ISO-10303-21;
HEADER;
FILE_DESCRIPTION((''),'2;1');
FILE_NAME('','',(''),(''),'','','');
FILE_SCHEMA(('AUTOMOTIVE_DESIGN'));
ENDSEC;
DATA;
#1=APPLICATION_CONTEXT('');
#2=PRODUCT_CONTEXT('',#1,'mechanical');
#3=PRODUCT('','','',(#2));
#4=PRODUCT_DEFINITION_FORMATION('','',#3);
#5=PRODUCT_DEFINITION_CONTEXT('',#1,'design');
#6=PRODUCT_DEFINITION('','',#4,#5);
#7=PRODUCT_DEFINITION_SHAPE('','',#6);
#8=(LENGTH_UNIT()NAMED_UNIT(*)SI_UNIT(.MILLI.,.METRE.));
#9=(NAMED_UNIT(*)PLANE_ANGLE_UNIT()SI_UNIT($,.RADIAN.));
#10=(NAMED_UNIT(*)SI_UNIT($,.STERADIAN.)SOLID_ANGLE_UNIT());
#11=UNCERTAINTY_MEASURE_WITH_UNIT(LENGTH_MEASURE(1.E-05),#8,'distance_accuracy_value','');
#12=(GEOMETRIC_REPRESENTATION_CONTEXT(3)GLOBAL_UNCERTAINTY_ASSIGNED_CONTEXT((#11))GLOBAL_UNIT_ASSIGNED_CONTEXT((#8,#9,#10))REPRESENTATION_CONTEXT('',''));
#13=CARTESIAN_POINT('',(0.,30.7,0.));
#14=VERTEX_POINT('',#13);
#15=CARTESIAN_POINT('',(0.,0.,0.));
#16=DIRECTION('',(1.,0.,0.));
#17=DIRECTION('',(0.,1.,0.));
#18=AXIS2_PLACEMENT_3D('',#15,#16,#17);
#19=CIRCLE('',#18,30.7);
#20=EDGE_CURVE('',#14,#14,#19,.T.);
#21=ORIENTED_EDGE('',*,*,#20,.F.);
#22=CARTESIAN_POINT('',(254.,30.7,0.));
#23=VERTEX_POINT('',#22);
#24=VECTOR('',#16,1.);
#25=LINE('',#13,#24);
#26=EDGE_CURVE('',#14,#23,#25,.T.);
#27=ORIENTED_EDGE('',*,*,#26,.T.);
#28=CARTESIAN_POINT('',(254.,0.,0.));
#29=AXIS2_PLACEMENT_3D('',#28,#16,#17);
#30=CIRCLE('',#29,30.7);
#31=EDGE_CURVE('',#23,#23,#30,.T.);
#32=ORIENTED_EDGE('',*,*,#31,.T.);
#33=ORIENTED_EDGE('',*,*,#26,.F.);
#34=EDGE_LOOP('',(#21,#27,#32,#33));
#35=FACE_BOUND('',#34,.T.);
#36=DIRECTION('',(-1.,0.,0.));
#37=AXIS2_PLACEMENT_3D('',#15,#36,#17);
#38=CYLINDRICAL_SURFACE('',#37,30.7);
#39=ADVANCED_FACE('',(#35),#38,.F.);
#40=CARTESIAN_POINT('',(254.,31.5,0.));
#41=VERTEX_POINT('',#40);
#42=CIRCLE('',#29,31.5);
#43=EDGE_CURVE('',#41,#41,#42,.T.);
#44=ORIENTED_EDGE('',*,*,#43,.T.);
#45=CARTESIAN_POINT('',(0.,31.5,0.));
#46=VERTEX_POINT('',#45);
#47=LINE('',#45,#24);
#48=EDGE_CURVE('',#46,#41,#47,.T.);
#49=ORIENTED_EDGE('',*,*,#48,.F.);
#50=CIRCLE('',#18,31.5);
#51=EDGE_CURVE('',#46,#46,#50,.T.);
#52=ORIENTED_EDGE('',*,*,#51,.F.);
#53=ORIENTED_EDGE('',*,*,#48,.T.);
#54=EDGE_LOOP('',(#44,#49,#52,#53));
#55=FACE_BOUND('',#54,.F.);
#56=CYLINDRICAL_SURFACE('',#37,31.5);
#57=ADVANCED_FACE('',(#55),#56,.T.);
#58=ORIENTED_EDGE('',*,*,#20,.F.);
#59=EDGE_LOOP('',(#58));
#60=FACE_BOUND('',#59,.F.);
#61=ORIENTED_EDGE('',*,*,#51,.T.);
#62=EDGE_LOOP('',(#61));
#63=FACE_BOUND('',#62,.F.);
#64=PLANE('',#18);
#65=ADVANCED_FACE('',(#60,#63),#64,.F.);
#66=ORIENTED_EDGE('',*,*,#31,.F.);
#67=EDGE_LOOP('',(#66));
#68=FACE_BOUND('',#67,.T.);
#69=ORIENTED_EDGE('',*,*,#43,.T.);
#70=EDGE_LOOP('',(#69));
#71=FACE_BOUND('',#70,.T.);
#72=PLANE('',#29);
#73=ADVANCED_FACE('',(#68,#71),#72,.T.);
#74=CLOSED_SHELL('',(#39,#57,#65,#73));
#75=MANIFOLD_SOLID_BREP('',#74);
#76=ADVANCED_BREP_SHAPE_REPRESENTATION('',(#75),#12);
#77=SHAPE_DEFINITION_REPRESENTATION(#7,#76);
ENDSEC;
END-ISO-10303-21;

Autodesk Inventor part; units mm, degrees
ref_plane "YZ Plane" through (0, 0, 0) normal (1, 0, 0) x (0, 1, 0)
ref_plane "XZ Plane" through (0, 0, 0) normal (0, 1, 0) x (-1, 0, 0)
ref_plane "XY Plane" through (0, 0, 0) normal (0, 0, 1) x (1, 0, 0)
sketch "Sketch1" plane through (0, 0, 0) normal (1, 0, 0) x (0, 1, 0)
  circle A0 centre (0, 0) radius 31.5
  circle A1 centre (0, 0) radius 30.7
  dimension "d0" = 63
  dimension "d1" = 0.8
extrude "Extrusion1" add sketch "Sketch1" along normal blind 254
equation "\"d0\" = OD"
equation "\"d1\" = t"
equation "\"d2\" = L"
equation "\"OD\" = 63"
equation "\"t\" = 0.8"
equation "\"L\" = PL"
equation "\"ID\" = 61.4"
equation "\"PL\" = 254"
properties part number "ISO 4065 Pipe DN63x0.8xS40 - 254.00000000" material "PVC-Piping"
